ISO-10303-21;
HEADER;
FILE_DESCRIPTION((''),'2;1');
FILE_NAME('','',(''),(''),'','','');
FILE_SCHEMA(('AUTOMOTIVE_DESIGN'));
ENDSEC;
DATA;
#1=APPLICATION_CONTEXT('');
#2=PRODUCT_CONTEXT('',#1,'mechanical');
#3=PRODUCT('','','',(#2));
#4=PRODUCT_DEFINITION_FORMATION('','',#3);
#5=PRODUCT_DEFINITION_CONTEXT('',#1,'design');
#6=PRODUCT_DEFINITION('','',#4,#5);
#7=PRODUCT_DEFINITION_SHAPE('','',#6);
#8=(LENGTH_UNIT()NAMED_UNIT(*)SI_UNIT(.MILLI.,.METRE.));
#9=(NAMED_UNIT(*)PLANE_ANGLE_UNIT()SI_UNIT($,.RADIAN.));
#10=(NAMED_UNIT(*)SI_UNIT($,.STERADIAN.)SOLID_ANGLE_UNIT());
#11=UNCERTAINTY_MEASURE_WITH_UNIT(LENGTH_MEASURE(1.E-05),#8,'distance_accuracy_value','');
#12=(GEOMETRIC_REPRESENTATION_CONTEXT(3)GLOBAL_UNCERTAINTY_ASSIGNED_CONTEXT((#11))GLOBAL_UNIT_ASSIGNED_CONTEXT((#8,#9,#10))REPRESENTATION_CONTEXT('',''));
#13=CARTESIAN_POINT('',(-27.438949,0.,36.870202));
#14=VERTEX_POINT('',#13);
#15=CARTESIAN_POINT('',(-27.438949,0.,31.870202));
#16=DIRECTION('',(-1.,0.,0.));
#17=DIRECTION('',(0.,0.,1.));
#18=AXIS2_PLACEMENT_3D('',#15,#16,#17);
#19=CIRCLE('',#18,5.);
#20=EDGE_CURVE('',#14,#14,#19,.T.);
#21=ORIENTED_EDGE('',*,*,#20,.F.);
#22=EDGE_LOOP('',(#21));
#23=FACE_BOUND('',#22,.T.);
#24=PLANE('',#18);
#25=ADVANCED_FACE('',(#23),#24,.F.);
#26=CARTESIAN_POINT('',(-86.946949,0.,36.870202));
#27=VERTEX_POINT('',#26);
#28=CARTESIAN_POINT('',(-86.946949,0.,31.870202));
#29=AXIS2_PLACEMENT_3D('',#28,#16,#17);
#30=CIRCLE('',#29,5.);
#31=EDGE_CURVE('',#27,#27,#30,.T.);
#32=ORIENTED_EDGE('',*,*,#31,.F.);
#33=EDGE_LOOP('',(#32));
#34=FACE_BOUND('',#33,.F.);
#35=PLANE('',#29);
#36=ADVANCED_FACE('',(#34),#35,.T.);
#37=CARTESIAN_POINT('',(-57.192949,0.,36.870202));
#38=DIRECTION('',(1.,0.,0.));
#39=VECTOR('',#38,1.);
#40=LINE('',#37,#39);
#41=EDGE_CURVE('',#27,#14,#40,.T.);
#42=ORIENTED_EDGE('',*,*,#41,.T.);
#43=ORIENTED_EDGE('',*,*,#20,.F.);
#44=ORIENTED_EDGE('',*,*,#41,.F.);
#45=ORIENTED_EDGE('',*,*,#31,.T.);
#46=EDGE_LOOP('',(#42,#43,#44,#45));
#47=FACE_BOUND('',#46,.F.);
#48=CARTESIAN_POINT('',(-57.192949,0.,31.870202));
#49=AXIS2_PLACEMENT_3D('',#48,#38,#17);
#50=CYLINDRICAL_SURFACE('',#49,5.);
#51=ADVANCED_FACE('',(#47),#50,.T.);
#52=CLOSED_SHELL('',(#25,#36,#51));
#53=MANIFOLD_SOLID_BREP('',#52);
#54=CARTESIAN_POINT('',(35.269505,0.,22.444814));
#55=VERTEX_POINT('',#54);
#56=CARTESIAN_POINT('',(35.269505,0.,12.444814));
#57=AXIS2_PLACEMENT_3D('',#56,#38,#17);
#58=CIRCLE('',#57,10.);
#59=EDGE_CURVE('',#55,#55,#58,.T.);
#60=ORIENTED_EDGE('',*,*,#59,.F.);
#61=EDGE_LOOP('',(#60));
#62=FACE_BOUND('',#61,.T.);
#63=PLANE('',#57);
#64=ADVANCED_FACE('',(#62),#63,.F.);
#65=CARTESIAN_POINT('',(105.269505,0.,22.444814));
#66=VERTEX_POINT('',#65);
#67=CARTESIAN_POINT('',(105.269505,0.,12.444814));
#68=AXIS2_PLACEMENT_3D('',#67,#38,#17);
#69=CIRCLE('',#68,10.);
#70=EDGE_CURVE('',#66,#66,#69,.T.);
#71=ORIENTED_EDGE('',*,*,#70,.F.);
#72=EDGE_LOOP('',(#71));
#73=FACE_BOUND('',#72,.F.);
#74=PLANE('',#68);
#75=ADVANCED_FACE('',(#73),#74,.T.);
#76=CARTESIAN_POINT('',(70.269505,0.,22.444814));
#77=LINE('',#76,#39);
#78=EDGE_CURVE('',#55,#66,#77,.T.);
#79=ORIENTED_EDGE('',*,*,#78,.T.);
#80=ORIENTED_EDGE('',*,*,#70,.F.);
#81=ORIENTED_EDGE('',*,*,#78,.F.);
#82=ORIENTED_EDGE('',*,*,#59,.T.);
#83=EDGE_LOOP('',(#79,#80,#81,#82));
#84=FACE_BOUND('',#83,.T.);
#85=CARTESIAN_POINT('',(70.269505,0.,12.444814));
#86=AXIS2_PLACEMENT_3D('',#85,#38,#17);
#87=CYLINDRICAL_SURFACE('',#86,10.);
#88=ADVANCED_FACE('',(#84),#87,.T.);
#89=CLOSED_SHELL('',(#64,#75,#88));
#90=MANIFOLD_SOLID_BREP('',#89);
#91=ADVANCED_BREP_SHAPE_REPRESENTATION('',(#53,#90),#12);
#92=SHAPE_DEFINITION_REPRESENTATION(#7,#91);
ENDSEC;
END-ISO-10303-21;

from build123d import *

# Parameters (mm, degrees)
F0_W = 59.508
F0_H = 5
F2_W = 70
F2_H = 10


with BuildPart() as f1:
    # F0 (on Front) → F1 (revolve)
    with BuildSketch(Plane.XZ):
        with Locations((-57.192949, 34.370202)):
            Rectangle(F0_W, F0_H)
    revolve(axis=Axis((-63.539973, 0, 31.870202), (-1, 0, 0)))


with BuildPart() as f3:
    # F2 (on Front) → F3 (revolve)
    with BuildSketch(Plane.XZ):
        with Locations((70.269505, 17.444814)):
            Rectangle(F2_W, F2_H)
    revolve(axis=Axis((70.269505, 0, 12.444814), (1, 0, 0)))


solid = Compound([f1.part, f3.part])
